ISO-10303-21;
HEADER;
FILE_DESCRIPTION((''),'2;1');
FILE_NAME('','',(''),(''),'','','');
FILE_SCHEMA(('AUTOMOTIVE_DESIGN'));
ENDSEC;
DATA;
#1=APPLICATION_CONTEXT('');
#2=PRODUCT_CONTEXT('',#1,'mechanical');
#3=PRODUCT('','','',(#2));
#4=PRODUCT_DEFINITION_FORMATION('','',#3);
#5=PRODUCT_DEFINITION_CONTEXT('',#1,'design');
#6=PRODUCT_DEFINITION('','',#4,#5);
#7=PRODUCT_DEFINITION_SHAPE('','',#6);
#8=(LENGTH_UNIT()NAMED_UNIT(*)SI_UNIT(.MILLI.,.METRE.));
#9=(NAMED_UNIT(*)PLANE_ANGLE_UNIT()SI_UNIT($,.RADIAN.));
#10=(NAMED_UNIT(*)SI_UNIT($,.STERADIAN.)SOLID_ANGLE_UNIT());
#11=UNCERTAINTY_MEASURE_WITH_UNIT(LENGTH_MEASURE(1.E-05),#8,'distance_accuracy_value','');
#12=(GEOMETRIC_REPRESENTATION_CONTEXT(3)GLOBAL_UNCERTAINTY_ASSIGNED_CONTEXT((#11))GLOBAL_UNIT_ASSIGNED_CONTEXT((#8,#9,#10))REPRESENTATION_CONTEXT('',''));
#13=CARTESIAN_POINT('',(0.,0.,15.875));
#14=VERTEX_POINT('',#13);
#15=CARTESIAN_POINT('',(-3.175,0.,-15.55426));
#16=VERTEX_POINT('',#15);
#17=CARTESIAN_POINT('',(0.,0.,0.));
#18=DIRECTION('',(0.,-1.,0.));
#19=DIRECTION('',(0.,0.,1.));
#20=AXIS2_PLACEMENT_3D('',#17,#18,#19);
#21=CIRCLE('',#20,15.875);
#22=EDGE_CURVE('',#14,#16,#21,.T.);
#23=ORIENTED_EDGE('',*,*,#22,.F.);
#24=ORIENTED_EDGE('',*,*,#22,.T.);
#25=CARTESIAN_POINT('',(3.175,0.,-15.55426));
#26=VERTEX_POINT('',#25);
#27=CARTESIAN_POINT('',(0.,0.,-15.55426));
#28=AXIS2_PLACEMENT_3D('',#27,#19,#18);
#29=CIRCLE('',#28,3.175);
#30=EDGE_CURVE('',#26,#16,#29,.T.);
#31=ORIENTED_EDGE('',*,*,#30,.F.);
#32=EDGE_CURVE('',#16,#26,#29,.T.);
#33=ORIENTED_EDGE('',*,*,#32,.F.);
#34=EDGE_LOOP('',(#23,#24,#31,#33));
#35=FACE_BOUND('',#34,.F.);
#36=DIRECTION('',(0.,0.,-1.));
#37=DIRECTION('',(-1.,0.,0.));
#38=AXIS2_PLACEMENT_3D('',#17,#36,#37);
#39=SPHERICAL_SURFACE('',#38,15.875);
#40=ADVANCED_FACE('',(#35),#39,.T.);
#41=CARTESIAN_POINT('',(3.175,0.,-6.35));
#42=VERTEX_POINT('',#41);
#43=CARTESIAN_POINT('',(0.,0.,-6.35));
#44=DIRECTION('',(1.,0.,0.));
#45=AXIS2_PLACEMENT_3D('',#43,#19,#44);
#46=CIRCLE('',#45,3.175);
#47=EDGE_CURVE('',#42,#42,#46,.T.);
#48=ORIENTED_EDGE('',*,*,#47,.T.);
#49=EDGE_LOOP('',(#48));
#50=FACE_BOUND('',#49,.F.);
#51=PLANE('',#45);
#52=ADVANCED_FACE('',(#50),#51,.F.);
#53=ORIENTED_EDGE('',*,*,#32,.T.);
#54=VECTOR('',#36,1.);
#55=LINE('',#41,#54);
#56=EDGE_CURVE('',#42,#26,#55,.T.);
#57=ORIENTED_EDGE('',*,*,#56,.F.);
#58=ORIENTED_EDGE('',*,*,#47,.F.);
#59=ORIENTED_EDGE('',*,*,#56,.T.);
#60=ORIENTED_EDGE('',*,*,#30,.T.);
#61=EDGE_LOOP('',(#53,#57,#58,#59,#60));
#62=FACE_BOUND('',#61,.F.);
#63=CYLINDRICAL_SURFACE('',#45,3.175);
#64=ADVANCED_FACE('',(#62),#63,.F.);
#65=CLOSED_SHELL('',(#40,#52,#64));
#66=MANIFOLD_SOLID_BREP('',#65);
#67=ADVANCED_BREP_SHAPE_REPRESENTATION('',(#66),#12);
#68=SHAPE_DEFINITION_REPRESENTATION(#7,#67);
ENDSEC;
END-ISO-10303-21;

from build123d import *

# Parameters (mm, degrees)
F4_R     = 3.175
F5_DEPTH = 25.4


with BuildPart() as f2:
    # F0 (on Front) → F2 (revolve)
    with BuildSketch(Plane.XZ):
        with BuildLine():
            Line((0, -15.875), (0, 15.875))
            ThreePointArc((0, 15.875), (-15.875, 0), (0, -15.875))
        make_face()
    revolve(axis=Axis((0, 0, 0), (0, 0, 1)))


with BuildPart() as f5:
    # F4 (on offset) → F5 (new body)
    with BuildSketch(Plane.XY.offset(-6.35)):
        Circle(F4_R)
    extrude(amount=-F5_DEPTH)


with BuildPart() as f2_1:
    add(f2.part)

    # F6: cut F5
    add(f5.part, mode=Mode.SUBTRACT)


solid = f2_1.part
